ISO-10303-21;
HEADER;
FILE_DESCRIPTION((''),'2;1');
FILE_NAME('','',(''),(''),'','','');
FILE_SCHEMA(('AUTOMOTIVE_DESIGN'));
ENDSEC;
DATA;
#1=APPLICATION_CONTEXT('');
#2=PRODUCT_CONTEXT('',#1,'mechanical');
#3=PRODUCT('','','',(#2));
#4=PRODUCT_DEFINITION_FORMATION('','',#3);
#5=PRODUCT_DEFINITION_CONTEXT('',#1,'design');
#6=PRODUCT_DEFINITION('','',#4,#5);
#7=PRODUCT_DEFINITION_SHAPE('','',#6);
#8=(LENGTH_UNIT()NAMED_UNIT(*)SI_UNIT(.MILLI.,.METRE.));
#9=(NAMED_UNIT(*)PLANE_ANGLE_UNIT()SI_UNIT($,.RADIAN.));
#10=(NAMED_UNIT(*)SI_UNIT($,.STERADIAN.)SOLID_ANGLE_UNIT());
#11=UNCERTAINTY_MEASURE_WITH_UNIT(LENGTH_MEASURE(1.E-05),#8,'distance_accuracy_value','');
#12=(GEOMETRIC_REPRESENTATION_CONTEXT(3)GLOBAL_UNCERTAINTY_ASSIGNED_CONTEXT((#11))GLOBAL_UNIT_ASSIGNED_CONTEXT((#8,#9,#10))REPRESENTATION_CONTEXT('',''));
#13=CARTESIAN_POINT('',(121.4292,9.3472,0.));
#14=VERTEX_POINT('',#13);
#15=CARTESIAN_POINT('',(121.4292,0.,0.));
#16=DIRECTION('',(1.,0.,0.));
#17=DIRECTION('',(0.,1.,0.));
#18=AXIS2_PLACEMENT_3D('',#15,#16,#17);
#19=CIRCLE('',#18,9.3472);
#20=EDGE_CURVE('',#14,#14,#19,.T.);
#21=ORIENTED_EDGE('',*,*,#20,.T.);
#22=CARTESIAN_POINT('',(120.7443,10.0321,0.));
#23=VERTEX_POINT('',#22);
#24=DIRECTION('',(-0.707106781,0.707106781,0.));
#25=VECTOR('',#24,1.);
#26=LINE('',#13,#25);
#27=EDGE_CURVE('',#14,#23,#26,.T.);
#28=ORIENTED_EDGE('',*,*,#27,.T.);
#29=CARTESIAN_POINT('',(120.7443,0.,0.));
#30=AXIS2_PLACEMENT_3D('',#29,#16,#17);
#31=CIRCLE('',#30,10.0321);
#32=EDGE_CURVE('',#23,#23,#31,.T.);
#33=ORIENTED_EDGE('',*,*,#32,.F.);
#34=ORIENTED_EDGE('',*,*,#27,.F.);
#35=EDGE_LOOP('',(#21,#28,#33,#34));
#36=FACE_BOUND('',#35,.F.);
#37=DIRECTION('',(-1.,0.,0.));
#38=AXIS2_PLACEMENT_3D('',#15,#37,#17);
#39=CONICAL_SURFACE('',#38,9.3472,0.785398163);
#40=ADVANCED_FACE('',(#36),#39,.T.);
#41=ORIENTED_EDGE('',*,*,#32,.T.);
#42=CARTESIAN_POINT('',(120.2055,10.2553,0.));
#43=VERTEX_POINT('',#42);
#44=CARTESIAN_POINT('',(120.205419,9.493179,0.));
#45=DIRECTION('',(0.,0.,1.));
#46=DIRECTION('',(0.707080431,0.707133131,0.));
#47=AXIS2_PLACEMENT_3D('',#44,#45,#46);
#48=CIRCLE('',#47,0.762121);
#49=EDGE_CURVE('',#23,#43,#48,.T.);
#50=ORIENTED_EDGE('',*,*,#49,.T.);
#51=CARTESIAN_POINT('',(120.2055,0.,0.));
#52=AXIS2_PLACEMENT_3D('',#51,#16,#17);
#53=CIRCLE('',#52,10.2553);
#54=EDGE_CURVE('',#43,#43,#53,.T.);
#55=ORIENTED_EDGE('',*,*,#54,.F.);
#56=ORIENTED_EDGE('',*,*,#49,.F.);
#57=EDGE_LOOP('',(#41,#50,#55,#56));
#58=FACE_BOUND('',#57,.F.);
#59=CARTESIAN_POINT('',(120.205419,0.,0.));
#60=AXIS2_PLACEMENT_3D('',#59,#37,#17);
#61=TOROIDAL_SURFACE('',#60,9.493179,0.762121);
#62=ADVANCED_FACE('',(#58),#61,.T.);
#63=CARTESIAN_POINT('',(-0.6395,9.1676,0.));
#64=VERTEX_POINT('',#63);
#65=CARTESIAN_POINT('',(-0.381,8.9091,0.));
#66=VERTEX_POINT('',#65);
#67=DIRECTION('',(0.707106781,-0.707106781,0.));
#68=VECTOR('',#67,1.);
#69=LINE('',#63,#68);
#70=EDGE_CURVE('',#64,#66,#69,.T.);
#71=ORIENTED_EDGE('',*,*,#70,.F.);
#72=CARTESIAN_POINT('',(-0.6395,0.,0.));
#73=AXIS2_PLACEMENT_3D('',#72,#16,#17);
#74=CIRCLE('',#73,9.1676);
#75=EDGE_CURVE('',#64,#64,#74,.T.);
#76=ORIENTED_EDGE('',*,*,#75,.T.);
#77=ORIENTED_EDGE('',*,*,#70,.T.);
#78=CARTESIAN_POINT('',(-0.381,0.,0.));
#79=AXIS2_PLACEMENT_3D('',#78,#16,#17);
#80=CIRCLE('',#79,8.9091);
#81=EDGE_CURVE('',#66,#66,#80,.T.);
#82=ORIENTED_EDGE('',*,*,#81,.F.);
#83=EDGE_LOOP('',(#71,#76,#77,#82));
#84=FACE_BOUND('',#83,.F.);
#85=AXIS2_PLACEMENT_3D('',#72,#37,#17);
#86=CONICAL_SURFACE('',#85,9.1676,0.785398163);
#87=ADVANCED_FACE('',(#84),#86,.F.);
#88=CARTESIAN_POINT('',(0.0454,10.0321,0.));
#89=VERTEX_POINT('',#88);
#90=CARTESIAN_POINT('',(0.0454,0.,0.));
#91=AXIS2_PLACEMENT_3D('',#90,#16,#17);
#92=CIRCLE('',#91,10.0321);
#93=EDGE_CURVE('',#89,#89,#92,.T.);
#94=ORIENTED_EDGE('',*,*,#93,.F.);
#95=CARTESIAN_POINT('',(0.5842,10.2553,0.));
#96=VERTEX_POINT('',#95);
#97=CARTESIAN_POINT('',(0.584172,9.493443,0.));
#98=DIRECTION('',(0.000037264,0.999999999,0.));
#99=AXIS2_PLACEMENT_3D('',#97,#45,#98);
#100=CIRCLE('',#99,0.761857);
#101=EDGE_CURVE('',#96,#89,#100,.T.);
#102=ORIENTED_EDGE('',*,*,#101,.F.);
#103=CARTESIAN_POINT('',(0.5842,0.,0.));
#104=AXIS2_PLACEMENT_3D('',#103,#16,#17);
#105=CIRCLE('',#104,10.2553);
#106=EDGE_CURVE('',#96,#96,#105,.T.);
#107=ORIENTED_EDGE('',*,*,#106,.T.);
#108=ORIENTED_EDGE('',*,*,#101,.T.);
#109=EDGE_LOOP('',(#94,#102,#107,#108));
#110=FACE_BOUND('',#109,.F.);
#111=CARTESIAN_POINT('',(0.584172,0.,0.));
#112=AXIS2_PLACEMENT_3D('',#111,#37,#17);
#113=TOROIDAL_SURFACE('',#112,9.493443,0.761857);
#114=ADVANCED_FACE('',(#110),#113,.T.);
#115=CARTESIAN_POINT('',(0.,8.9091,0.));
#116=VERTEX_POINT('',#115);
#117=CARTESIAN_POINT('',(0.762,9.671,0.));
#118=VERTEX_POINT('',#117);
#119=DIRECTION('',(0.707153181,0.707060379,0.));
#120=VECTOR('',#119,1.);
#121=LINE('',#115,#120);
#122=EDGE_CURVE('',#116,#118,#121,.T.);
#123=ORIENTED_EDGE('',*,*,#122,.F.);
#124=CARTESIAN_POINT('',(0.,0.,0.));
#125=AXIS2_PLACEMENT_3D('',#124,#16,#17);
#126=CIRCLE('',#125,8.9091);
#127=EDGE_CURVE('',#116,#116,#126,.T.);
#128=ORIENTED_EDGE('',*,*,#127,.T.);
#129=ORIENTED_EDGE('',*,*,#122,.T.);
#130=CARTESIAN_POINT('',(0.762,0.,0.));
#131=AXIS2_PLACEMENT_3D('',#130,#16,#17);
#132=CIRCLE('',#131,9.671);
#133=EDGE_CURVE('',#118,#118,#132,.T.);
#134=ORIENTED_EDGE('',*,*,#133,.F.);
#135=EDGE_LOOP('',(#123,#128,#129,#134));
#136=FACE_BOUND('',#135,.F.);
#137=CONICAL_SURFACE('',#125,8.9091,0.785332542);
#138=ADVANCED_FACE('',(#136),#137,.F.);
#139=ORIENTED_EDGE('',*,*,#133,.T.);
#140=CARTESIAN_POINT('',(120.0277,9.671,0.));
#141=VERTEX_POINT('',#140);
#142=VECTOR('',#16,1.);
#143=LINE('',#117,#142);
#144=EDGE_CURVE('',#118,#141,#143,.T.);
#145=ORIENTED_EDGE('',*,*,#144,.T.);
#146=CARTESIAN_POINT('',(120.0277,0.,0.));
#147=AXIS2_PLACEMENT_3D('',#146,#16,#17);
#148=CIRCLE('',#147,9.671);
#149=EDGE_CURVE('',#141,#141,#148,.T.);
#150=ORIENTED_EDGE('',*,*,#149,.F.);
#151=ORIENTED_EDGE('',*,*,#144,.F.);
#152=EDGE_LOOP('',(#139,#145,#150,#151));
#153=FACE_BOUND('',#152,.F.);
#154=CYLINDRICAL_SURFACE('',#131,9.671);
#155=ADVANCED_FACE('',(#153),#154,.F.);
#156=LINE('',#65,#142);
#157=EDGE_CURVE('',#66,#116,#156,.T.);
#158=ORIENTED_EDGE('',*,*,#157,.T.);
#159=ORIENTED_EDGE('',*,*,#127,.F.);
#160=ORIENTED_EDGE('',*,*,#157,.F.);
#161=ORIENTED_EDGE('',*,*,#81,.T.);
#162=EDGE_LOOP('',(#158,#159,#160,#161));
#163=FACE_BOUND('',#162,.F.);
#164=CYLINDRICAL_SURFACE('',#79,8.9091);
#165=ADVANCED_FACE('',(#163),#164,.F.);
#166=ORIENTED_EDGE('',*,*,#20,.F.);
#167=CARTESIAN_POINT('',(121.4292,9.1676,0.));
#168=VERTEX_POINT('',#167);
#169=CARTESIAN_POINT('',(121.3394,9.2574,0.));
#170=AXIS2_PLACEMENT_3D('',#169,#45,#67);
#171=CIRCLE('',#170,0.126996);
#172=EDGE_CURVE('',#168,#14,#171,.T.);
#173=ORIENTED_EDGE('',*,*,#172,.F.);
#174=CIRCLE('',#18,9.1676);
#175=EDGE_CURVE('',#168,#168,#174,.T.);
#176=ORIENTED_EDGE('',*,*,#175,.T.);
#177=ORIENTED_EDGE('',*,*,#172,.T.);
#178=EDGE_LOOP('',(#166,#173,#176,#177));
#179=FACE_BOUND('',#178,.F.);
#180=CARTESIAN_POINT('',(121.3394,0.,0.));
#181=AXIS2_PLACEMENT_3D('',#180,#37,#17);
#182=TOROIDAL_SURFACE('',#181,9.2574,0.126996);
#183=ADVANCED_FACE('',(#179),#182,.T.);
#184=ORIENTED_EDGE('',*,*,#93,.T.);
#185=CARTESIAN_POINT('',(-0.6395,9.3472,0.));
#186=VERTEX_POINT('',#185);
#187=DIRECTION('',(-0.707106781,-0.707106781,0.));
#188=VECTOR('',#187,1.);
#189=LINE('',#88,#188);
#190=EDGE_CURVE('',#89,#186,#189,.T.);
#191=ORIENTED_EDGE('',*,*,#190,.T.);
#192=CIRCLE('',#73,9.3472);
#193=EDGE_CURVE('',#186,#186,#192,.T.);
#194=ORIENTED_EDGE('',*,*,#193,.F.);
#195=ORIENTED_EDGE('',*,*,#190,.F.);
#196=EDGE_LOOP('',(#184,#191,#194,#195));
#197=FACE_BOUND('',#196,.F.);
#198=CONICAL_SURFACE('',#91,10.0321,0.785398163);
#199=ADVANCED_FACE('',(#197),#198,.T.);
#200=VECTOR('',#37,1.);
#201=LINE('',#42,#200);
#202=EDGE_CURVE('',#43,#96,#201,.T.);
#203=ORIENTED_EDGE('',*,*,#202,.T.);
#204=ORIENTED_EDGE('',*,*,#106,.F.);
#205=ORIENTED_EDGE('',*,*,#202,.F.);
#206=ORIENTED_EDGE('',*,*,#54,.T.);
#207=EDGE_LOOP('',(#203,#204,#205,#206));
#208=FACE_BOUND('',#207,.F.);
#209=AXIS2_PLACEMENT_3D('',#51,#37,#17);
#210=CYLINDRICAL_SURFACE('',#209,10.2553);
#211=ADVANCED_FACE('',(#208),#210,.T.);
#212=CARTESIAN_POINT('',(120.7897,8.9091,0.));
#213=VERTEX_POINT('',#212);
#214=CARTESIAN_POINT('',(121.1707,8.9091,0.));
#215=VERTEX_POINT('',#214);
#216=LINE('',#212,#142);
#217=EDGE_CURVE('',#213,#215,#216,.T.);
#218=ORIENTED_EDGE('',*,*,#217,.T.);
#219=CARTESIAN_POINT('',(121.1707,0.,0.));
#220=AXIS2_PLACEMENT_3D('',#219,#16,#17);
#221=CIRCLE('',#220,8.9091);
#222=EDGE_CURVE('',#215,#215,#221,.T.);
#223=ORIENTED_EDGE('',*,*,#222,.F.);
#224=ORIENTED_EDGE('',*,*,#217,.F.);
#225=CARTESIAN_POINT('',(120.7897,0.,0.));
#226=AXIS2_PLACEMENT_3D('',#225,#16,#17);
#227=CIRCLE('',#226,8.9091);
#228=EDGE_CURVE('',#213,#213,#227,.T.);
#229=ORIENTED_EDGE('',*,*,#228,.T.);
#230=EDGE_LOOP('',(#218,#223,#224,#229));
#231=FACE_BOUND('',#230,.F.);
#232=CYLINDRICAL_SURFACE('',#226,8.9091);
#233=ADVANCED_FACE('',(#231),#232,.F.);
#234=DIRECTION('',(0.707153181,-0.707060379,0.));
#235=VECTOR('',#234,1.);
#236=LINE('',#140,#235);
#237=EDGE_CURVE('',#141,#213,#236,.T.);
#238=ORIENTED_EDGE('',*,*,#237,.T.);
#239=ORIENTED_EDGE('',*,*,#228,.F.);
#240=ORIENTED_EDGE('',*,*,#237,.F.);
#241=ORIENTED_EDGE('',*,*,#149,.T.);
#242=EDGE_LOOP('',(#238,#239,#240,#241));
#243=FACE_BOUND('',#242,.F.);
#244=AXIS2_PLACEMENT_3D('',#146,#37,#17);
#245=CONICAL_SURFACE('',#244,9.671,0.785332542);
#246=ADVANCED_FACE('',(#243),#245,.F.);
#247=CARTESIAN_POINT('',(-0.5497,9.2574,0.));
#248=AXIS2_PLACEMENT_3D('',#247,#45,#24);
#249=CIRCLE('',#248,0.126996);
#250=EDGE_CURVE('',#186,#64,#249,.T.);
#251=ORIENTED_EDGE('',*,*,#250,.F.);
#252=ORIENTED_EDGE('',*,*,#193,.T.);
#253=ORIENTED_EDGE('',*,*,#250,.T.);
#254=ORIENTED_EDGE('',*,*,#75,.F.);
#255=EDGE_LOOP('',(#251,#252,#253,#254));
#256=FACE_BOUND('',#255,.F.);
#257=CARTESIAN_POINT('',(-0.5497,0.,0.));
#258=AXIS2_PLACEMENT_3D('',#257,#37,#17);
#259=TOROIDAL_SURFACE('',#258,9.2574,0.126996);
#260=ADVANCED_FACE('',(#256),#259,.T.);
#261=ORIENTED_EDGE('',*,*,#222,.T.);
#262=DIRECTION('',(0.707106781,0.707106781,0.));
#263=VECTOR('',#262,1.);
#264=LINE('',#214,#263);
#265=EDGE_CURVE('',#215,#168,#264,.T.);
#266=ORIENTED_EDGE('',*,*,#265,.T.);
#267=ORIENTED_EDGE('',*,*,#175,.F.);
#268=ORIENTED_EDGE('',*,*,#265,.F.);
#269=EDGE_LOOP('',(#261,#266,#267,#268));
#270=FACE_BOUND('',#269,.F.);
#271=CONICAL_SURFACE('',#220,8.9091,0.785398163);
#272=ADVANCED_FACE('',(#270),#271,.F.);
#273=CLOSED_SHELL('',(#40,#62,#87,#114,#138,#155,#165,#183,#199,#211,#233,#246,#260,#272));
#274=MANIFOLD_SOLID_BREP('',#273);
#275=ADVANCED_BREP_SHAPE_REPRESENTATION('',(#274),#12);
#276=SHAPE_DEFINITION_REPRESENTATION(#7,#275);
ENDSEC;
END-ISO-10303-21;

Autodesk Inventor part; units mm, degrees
sketch "Sketch_1" plane through (0, 0, 0) normal (0, 0, 1) x (1, 0, 0)
  line L0 (120.7897, 0) -> (0, 0)
  arc A0 (-0.6395, 9.3472) -> (-0.6395, 9.1676) centre (-0.5497, 9.2574) ccw
  line L1 (-0.6395, 9.1676) -> (-0.381, 8.9091)
  line L2 (-0.381, 8.9091) -> (0, 8.9091)
  line L3 (0, 8.9091) -> (0.762, 9.671)
  line L4 (0.762, 9.671) -> (120.0277, 9.671)
  line L5 (120.0277, 9.671) -> (120.7897, 8.9091)
  line L6 (120.7897, 8.9091) -> (121.1707, 8.9091)
  line L7 (121.1707, 8.9091) -> (121.4292, 9.1676)
  arc A1 (121.4292, 9.1676) -> (121.4292, 9.3472) centre (121.3394, 9.2574) ccw
  line L8 (121.4292, 9.3472) -> (120.7443, 10.0321)
  arc A2 (120.7443, 10.0321) -> (120.2055, 10.2553) centre (120.2055, 9.4933) ccw
  line L9 (120.2055, 10.2553) -> (0.5842, 10.2553)
  arc A3 (0.5842, 10.2553) -> (0.0454, 10.0321) centre (0.5842, 9.4933) ccw
  line L10 (0.0454, 10.0321) -> (-0.6395, 9.3472)
revolve "Revolution1" add sketch "Sketch_1" angle 360 about axis through (120.7897, 0, 0) along (1, 0, 0)
ref_plane "cp1_XY" through (60.3948, 10.2553, 0) normal (1, 0, 0) x (0, 0, -1)
ref_plane "cp1_YZ" through (60.3948, 10.2553, 0) normal (0, 0, -1) x (0, 1, 0)
ref_plane "cp1_ZX" through (60.3948, 10.2553, 0) normal (0, 1, 0) x (1, 0, 0)
ref_plane "cp2_XY" through (60.3948, 0, -10.2553) normal (1, 0, 0) x (0, 0, -1)
ref_plane "cp2_YZ" through (60.3948, 0, -10.2553) normal (0, 0, -1) x (0, 1, 0)
ref_plane "cp2_ZX" through (60.3948, 0, -10.2553) normal (0, 1, 0) x (1, 0, 0)
ref_plane "cp3_XY" through (60.3948, -10.2553, 0) normal (1, 0, 0) x (0, 0, -1)
ref_plane "cp3_YZ" through (60.3948, -10.2553, 0) normal (0, 0, -1) x (0, 1, 0)
ref_plane "cp3_ZX" through (60.3948, -10.2553, 0) normal (0, 1, 0) x (1, 0, 0)
ref_plane "cp4_XY" through (60.3948, 0, 10.2553) normal (1, 0, 0) x (0, 0, -1)
ref_plane "cp4_YZ" through (60.3948, 0, 10.2553) normal (0, 0, -1) x (0, 1, 0)
ref_plane "cp4_ZX" through (60.3948, 0, 10.2553) normal (0, 1, 0) x (1, 0, 0)
ref_plane "tube_front_XY" through (0, 0, 0) normal (1, 0, 0) x (0, 0, -1)
ref_plane "tube_front_YZ" through (0, 0, 0) normal (0, 0, -1) x (0, 1, 0)
ref_plane "tube_front_ZX" through (0, 0, 0) normal (0, 1, 0) x (1, 0, 0)
ref_plane "tube_rear_XY" through (120.7897, 0, 0) normal (1, 0, 0) x (0, 0, -1)
ref_plane "tube_rear_YZ" through (120.7897, 0, 0) normal (0, 0, -1) x (0, 1, 0)
ref_plane "tube_rear_ZX" through (120.7897, 0, 0) normal (0, 1, 0) x (1, 0, 0)
properties part number "04R-4.75550"
